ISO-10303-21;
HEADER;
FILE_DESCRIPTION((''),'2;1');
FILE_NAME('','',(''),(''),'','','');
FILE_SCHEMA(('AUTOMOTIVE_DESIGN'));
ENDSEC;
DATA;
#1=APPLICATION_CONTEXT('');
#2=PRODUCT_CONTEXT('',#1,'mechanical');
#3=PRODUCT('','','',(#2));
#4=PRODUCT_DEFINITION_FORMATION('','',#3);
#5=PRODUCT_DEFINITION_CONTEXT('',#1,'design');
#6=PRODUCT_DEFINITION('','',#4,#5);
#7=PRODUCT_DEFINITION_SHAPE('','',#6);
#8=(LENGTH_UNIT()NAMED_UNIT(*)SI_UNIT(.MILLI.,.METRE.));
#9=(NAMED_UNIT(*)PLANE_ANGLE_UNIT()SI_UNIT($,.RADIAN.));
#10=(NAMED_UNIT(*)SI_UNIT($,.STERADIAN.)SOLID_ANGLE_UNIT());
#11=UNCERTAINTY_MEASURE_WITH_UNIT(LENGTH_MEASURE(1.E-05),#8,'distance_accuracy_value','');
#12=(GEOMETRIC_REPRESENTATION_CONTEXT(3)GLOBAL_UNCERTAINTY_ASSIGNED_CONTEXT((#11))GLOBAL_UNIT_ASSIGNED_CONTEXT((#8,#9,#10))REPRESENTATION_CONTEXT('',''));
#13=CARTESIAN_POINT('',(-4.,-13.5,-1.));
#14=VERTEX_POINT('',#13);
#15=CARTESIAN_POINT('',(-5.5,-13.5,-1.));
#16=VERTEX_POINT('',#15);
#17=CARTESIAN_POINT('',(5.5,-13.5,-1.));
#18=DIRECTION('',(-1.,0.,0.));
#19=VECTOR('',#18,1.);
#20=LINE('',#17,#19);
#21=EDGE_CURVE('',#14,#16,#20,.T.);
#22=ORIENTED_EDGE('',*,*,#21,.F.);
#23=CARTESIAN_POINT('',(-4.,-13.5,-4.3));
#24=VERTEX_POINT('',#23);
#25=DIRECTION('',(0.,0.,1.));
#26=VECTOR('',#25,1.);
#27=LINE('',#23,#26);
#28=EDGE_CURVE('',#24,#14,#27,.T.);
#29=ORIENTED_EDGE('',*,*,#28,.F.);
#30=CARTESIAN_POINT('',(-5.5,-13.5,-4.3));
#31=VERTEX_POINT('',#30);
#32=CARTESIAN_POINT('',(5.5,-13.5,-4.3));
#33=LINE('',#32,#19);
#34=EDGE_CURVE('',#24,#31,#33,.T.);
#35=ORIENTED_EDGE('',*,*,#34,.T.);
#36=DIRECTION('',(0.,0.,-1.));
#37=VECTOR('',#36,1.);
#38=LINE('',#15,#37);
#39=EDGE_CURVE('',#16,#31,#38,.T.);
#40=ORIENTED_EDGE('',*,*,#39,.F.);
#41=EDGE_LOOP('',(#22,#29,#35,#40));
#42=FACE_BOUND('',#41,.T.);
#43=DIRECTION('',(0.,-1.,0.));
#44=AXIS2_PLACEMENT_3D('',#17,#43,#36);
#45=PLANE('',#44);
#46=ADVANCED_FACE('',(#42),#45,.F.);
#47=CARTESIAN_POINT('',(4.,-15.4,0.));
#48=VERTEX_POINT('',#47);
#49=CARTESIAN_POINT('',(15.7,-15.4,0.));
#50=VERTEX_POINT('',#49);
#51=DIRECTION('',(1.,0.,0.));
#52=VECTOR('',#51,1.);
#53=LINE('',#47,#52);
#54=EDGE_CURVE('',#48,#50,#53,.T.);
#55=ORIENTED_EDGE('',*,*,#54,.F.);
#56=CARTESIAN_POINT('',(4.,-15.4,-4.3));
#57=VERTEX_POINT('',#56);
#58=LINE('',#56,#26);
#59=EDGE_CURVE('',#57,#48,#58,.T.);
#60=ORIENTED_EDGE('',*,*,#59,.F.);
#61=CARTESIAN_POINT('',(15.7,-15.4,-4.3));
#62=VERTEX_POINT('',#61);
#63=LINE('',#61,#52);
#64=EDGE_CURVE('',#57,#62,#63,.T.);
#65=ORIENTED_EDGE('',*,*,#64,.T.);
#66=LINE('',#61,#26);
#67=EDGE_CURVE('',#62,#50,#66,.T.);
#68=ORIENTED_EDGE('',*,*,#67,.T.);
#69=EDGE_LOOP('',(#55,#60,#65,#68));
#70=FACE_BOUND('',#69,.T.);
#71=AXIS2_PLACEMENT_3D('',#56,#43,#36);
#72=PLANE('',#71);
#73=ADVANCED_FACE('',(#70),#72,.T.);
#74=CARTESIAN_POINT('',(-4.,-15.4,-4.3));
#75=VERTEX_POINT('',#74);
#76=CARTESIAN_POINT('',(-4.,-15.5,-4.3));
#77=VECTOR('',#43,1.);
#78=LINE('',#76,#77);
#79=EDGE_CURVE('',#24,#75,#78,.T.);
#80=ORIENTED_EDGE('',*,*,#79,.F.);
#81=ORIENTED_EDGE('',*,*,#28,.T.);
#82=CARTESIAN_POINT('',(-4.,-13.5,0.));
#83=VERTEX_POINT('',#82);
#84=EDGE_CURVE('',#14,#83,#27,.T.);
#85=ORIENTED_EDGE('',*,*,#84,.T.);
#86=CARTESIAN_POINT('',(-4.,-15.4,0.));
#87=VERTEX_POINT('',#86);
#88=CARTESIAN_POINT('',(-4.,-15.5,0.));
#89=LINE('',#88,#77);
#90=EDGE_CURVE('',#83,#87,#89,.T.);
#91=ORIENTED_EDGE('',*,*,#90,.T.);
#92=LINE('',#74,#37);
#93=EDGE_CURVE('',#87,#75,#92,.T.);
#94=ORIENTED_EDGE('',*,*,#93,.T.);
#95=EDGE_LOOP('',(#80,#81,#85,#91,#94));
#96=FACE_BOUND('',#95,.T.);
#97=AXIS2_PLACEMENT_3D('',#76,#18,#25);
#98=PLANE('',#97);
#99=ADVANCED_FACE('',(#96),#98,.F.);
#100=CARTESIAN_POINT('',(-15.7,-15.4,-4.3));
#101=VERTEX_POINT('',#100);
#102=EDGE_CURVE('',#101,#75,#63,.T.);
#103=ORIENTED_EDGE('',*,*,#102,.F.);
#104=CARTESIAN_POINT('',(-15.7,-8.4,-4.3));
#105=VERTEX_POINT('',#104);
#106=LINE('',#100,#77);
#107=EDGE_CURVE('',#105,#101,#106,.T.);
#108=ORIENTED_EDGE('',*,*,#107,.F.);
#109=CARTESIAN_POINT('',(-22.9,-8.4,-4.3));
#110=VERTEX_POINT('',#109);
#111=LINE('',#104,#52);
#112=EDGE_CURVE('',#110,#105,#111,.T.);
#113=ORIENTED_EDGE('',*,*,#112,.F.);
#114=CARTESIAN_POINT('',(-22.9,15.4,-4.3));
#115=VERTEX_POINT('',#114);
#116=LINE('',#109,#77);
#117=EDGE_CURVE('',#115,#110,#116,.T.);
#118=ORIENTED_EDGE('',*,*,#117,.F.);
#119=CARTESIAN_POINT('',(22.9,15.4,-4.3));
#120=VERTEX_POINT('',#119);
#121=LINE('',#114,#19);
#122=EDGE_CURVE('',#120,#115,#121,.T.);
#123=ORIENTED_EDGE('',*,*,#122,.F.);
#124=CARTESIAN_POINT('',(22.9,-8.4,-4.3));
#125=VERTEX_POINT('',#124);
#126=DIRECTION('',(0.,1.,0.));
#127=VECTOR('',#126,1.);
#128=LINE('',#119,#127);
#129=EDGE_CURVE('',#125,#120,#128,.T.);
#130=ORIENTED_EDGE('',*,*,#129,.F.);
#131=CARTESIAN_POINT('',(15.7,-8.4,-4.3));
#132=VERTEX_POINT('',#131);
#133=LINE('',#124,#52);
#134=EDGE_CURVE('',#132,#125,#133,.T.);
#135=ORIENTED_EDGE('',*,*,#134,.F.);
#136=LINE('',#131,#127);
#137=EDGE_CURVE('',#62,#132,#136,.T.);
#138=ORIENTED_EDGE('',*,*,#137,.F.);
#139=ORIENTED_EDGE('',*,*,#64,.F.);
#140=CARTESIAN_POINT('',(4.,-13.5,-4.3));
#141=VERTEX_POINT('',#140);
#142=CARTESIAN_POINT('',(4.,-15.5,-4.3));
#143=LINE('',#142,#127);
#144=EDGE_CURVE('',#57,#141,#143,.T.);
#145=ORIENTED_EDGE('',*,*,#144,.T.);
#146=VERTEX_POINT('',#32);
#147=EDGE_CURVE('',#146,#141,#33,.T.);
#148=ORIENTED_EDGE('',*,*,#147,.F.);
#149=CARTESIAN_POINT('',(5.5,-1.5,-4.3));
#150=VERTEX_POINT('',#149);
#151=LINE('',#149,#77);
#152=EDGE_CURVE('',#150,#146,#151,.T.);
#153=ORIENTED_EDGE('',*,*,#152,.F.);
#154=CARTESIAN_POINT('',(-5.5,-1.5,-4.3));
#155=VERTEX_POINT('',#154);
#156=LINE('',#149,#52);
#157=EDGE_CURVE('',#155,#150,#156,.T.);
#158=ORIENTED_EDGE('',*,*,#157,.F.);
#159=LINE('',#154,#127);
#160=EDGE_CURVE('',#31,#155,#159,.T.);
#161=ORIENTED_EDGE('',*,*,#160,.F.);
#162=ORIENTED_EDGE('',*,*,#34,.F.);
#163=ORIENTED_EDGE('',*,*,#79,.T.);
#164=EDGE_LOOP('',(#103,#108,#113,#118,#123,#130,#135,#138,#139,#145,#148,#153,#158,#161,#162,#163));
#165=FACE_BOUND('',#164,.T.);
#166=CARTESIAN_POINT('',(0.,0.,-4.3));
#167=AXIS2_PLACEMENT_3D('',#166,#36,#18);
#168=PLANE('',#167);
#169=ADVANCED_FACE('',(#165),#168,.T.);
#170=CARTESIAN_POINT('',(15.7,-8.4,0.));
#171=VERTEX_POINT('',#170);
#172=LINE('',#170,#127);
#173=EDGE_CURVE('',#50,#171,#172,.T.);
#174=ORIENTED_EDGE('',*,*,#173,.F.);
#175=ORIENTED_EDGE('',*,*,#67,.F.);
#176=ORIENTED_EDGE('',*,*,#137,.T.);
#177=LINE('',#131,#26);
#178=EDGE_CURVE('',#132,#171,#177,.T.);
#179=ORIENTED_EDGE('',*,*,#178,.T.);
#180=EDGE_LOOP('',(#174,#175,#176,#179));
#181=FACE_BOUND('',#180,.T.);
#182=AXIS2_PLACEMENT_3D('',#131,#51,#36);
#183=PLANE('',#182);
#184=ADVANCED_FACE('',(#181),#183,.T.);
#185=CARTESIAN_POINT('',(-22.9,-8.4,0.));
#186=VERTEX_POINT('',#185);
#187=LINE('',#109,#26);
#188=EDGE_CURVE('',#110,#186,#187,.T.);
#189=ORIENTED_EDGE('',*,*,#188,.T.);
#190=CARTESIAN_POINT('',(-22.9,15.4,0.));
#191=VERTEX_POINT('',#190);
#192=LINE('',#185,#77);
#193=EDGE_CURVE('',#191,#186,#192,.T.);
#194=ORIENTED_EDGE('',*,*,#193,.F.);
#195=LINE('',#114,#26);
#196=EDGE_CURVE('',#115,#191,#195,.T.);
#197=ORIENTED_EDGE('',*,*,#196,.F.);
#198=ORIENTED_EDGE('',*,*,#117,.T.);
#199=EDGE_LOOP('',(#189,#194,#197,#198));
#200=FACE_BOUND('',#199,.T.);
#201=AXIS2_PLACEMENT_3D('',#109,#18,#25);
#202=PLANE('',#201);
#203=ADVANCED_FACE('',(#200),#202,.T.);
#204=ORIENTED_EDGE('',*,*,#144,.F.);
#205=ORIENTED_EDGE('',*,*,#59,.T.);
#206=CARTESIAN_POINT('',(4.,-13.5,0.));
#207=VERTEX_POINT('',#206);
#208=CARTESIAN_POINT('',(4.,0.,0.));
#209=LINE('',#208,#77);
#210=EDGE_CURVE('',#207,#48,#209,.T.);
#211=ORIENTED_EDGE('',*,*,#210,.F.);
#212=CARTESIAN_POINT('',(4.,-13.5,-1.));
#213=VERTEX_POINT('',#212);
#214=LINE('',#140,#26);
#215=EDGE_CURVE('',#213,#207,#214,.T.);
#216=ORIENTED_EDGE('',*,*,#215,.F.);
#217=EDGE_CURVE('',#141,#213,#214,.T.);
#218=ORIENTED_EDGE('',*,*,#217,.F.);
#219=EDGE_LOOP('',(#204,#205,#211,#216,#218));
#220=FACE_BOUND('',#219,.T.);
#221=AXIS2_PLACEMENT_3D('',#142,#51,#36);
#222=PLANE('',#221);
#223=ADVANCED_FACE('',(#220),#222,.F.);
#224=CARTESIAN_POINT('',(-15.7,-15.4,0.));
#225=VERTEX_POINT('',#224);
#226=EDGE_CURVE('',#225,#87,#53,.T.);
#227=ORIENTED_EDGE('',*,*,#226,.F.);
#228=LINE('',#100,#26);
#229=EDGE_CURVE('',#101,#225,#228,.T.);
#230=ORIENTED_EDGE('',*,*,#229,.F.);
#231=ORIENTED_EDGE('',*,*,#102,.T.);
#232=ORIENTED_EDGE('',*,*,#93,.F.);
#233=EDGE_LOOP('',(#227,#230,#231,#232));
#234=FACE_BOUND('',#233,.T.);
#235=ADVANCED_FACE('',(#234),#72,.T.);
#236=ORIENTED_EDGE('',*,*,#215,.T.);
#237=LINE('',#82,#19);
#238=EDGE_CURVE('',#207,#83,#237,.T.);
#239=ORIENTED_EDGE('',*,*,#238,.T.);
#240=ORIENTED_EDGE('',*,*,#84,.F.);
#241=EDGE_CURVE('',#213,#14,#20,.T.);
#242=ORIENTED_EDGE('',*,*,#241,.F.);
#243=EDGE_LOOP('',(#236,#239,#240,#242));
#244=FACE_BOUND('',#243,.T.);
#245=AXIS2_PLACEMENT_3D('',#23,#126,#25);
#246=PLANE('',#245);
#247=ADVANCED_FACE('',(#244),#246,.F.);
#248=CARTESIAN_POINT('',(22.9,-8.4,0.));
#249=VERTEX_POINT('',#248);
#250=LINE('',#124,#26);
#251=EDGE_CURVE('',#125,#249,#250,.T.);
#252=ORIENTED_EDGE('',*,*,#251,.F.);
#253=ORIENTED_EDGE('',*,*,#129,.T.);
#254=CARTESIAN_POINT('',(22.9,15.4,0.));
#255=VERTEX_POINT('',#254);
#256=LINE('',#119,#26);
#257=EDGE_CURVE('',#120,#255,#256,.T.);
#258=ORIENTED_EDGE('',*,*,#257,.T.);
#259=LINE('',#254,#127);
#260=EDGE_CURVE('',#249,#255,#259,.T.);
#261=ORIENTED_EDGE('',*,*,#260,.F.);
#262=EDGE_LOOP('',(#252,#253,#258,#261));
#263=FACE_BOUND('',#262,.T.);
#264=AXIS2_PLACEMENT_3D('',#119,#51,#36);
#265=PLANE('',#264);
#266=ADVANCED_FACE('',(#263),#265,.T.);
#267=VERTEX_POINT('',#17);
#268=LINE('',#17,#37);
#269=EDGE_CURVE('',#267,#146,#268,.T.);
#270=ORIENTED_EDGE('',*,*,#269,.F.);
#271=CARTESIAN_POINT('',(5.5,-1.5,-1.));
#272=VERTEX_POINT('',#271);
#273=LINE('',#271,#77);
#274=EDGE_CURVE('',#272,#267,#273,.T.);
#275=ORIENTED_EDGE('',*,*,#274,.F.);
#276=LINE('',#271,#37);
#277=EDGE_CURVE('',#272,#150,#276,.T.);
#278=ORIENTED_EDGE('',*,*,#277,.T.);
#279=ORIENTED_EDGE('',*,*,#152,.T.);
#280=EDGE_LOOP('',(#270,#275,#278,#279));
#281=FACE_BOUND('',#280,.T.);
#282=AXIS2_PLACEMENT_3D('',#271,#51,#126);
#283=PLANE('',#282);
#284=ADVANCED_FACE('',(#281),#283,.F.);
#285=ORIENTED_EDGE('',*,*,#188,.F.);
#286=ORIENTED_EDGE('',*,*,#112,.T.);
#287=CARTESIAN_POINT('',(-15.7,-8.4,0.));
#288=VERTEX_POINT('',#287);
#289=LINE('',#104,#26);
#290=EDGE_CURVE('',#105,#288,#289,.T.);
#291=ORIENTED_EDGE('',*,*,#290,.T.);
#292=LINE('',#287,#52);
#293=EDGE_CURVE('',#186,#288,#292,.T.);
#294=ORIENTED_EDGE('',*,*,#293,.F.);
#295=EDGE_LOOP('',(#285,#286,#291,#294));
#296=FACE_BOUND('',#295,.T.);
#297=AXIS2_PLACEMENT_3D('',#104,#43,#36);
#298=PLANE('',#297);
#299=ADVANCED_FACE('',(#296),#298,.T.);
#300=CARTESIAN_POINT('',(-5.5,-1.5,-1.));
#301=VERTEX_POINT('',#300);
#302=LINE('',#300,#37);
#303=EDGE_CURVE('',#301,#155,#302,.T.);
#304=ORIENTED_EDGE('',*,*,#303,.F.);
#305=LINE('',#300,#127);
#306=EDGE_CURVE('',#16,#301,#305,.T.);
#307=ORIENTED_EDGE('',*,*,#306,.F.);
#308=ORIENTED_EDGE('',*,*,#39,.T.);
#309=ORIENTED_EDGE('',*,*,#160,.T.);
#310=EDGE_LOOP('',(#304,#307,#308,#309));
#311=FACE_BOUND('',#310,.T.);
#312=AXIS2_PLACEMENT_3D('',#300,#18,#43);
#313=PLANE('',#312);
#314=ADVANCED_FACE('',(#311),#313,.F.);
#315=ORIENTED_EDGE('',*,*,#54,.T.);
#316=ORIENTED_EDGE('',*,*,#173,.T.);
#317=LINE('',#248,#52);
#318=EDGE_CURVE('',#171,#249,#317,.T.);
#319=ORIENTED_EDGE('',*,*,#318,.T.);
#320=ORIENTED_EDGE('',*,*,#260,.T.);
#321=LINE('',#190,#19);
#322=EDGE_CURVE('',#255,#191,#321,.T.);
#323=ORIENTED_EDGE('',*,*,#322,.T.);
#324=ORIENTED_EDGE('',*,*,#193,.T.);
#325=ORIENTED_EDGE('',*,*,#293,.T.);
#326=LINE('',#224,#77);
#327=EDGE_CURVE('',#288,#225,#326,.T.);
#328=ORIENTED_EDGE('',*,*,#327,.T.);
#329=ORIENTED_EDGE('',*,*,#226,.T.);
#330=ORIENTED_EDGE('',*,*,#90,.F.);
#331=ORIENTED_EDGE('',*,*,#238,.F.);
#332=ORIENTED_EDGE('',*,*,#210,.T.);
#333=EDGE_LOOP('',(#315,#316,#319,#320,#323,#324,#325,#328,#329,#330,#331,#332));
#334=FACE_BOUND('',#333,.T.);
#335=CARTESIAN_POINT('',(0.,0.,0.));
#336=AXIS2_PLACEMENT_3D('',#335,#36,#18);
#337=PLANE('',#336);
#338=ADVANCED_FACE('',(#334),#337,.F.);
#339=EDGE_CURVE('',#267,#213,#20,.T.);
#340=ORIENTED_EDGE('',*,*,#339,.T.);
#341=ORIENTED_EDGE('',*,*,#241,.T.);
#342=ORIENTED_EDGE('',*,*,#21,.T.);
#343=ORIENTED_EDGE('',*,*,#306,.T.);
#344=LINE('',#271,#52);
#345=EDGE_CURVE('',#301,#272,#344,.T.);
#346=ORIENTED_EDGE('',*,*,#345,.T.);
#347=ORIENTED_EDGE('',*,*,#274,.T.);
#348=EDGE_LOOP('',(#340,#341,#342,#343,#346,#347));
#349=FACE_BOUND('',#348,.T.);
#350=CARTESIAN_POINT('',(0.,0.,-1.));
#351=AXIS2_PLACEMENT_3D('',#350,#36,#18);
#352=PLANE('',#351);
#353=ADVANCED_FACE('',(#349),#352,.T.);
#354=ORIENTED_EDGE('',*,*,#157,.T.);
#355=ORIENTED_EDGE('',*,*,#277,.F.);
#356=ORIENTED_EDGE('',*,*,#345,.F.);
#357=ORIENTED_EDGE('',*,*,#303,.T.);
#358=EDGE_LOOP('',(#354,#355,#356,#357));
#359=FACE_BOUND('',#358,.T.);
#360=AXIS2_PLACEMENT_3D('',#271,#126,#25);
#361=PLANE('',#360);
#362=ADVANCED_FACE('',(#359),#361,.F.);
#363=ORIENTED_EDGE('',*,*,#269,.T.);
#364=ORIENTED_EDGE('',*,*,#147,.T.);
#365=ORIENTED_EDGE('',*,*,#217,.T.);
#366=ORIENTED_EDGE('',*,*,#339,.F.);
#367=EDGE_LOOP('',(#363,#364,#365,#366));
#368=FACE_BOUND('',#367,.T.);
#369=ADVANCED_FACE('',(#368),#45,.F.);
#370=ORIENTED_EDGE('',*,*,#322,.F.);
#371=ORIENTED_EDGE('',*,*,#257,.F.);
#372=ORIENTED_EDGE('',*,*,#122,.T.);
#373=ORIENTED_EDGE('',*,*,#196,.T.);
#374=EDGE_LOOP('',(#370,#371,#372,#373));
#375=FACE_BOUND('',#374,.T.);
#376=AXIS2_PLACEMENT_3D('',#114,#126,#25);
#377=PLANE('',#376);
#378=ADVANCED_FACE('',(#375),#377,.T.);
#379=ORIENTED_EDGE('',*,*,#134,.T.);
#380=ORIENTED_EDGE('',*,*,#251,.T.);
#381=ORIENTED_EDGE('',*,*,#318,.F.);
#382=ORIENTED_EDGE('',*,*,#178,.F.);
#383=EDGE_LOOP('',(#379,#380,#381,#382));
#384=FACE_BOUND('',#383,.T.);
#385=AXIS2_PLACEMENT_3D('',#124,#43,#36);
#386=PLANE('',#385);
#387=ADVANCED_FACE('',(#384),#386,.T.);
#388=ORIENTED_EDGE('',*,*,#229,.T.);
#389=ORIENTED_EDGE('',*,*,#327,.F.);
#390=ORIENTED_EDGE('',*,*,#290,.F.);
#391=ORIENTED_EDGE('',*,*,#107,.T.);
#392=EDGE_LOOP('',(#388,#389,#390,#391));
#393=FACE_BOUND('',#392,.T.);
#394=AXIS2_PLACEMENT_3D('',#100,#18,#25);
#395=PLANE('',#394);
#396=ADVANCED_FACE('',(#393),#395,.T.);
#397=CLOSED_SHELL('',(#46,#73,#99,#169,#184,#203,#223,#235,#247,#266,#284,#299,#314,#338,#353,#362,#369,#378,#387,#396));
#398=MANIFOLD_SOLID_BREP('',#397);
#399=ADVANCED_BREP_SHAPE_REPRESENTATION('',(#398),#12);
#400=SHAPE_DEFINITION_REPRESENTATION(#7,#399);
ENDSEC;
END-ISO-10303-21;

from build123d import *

# Parameters (mm, degrees)
BOSS_EXTRUDE1_DEPTH = 4.3
SKETCH3_W           = 8
SKETCH3_H           = 2
CUT_EXTRUDE1_DEPTH  = 4.3
SKETCH4_W           = 11
SKETCH4_H           = 12
CUT_EXTRUDE2_DEPTH  = 3.3


with BuildPart() as part:
    # Sketch2 → Boss-Extrude1 (new body)
    with BuildSketch(Plane.XY):
        Polygon((4, -15.4), (-15.7, -15.4), (-15.7, -8.4), (-22.9, -8.4), (-22.9, 15.4), (22.9, 15.4), (22.9, -8.4), (15.7, -8.4), (15.7, -15.4), align=None)
    extrude(amount=-BOSS_EXTRUDE1_DEPTH)

    # Sketch3 → Cut-Extrude1 (cut)
    with BuildSketch(Plane.XY):
        with Locations((0, -14.5)):
            Rectangle(SKETCH3_W, SKETCH3_H)
    extrude(amount=-CUT_EXTRUDE1_DEPTH, mode=Mode.SUBTRACT)

    # Sketch4 → Cut-Extrude2 (cut)
    with BuildSketch(Plane(origin=(0, 0, -4.3), x_dir=(-1, 0, 0), z_dir=(0, 0, -1))):
        with Locations((0, -7.5)):
            Rectangle(SKETCH4_W, SKETCH4_H)
    extrude(amount=-CUT_EXTRUDE2_DEPTH, mode=Mode.SUBTRACT)


solid = part.part
